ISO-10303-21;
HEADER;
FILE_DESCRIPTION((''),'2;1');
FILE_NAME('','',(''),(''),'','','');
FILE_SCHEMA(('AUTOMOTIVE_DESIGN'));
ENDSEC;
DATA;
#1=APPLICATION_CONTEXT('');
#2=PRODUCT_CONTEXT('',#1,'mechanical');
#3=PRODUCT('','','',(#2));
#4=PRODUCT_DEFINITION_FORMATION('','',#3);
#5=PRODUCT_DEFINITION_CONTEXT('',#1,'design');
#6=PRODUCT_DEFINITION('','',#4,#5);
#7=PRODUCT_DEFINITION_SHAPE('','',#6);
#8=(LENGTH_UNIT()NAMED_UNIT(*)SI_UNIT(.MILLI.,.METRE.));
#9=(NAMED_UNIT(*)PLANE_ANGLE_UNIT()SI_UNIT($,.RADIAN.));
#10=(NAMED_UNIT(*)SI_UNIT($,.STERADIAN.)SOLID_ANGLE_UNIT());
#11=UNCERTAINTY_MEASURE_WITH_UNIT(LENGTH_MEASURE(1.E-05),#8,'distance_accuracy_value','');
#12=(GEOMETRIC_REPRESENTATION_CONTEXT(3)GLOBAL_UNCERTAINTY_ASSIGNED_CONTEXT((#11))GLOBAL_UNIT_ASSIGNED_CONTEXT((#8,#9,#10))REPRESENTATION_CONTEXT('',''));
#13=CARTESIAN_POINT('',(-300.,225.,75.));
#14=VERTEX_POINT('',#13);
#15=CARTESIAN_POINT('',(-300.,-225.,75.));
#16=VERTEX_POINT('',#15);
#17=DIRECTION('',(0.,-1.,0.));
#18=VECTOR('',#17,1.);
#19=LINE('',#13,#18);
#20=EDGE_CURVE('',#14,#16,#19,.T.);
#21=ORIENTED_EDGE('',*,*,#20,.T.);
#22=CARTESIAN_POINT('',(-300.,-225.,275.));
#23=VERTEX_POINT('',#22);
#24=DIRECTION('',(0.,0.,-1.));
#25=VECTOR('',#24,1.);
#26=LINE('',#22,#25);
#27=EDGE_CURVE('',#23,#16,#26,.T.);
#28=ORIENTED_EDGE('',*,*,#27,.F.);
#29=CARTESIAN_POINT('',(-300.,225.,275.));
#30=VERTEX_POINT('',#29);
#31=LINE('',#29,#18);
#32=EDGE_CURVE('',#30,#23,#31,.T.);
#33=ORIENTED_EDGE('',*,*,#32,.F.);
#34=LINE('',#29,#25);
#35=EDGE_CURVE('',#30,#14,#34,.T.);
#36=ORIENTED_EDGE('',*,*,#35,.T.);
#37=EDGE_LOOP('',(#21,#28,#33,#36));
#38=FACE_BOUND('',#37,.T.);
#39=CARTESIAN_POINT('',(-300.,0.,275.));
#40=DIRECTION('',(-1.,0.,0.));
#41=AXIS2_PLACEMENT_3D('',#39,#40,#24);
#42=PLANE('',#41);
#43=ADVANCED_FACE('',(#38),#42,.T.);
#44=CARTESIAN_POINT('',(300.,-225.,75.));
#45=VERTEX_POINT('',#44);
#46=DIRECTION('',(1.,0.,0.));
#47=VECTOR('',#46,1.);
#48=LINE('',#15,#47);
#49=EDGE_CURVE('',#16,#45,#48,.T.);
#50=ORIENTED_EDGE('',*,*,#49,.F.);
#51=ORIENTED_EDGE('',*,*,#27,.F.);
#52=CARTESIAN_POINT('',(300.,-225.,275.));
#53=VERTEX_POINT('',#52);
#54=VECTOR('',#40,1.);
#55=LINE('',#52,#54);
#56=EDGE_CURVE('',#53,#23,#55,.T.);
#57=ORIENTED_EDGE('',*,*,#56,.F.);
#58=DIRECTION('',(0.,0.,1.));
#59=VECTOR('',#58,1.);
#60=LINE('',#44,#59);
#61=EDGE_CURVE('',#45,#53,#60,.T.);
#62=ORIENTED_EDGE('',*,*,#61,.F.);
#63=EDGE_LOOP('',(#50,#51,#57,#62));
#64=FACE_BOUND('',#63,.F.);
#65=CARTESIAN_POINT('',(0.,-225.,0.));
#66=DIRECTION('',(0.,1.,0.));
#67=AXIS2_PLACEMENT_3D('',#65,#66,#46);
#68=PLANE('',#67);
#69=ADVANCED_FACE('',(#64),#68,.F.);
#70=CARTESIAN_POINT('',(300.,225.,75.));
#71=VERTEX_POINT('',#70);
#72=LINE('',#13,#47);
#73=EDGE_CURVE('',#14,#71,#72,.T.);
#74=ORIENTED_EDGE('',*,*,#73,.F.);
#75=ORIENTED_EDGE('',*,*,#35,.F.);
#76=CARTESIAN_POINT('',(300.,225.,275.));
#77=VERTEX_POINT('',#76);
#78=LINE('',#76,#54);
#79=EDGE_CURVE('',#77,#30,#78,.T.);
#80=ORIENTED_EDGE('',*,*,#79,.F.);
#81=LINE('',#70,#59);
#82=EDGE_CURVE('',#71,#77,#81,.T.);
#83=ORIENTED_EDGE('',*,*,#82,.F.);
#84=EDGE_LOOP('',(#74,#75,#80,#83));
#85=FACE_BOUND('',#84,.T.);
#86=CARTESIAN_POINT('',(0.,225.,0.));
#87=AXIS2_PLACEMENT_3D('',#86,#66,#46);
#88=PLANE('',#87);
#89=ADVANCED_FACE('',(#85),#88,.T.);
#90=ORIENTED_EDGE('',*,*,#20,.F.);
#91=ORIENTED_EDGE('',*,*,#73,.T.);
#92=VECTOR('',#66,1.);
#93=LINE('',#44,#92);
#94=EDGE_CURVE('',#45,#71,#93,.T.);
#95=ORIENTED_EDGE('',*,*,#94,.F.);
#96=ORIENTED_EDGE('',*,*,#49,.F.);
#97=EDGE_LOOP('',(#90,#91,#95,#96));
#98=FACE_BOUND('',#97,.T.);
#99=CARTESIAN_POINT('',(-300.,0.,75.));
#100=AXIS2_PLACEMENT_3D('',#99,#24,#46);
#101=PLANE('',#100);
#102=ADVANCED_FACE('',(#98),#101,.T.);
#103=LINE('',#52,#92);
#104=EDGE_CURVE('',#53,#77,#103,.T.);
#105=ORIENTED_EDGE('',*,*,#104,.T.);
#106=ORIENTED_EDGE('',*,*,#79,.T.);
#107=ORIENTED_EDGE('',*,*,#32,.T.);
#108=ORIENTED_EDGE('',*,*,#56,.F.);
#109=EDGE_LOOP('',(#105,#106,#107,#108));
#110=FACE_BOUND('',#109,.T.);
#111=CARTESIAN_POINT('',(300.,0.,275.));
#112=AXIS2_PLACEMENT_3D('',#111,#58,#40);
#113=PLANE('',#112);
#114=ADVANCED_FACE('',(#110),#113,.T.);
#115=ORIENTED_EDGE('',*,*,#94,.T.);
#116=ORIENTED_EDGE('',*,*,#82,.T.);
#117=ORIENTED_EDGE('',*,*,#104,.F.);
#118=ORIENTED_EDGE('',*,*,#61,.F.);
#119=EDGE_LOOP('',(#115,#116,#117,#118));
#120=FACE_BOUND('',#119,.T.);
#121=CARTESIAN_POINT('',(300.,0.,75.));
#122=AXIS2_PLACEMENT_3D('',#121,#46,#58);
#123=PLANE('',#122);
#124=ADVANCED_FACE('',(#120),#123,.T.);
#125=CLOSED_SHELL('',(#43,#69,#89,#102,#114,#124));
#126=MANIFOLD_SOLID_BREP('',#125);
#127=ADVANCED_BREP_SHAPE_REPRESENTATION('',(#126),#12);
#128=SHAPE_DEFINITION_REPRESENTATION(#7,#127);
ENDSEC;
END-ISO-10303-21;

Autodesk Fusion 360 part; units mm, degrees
sketch "Layout_Side" plane through (0, 0, 0) normal (0, 1, 0) x (1, 0, 0) in component "00_Layout"
  line L0 (0, 0) -> (0, -1676.4) construction
  line L1 (300, -275) -> (-300, -275) construction
  line L2 (-300, -275) -> (-300, -75) construction
  line L3 (-300, -75) -> (300, -75) construction
  line L4 (300, -75) -> (300, -275) construction
  line L5 (300, -275) -> (-300, -75) construction
  line L6 (-300, -275) -> (300, -75) construction
  line L7 (0, -1676.4) -> (600, -1676.4) construction
  line L8 (0, -175) -> (0, -75) construction
  dimension "d1" = 200
  dimension "d2" = 600
  dimension "d4" = 600
  dimension "d5" = 75
  dimension "d6" = 1676.4
sketch "Base_Profile" plane through (0, 0, 0) normal (0, 1, 0) x (1, 0, 0) in component "01_Base_Envelope"
  line L0 (300, -275) -> (-300, -275)
  line L1 (-300, -275) -> (-300, -75)
  line L2 (-300, -75) -> (300, -75)
  line L3 (300, -75) -> (300, -275)
extrude "Chassis_Width_450mm" add sketch "Base_Profile" along normal mid plane 450 in component "01_Base_Envelope"
component "00_Layout" placed x (1, 0, 0) y (0, 1, 0) z (0, 0, 1) at (0, 0, 0)
component "01_Base_Envelope" placed x (1, 0, 0) y (0, 1, 0) z (0, 0, 1) at (0, 0, 0)
